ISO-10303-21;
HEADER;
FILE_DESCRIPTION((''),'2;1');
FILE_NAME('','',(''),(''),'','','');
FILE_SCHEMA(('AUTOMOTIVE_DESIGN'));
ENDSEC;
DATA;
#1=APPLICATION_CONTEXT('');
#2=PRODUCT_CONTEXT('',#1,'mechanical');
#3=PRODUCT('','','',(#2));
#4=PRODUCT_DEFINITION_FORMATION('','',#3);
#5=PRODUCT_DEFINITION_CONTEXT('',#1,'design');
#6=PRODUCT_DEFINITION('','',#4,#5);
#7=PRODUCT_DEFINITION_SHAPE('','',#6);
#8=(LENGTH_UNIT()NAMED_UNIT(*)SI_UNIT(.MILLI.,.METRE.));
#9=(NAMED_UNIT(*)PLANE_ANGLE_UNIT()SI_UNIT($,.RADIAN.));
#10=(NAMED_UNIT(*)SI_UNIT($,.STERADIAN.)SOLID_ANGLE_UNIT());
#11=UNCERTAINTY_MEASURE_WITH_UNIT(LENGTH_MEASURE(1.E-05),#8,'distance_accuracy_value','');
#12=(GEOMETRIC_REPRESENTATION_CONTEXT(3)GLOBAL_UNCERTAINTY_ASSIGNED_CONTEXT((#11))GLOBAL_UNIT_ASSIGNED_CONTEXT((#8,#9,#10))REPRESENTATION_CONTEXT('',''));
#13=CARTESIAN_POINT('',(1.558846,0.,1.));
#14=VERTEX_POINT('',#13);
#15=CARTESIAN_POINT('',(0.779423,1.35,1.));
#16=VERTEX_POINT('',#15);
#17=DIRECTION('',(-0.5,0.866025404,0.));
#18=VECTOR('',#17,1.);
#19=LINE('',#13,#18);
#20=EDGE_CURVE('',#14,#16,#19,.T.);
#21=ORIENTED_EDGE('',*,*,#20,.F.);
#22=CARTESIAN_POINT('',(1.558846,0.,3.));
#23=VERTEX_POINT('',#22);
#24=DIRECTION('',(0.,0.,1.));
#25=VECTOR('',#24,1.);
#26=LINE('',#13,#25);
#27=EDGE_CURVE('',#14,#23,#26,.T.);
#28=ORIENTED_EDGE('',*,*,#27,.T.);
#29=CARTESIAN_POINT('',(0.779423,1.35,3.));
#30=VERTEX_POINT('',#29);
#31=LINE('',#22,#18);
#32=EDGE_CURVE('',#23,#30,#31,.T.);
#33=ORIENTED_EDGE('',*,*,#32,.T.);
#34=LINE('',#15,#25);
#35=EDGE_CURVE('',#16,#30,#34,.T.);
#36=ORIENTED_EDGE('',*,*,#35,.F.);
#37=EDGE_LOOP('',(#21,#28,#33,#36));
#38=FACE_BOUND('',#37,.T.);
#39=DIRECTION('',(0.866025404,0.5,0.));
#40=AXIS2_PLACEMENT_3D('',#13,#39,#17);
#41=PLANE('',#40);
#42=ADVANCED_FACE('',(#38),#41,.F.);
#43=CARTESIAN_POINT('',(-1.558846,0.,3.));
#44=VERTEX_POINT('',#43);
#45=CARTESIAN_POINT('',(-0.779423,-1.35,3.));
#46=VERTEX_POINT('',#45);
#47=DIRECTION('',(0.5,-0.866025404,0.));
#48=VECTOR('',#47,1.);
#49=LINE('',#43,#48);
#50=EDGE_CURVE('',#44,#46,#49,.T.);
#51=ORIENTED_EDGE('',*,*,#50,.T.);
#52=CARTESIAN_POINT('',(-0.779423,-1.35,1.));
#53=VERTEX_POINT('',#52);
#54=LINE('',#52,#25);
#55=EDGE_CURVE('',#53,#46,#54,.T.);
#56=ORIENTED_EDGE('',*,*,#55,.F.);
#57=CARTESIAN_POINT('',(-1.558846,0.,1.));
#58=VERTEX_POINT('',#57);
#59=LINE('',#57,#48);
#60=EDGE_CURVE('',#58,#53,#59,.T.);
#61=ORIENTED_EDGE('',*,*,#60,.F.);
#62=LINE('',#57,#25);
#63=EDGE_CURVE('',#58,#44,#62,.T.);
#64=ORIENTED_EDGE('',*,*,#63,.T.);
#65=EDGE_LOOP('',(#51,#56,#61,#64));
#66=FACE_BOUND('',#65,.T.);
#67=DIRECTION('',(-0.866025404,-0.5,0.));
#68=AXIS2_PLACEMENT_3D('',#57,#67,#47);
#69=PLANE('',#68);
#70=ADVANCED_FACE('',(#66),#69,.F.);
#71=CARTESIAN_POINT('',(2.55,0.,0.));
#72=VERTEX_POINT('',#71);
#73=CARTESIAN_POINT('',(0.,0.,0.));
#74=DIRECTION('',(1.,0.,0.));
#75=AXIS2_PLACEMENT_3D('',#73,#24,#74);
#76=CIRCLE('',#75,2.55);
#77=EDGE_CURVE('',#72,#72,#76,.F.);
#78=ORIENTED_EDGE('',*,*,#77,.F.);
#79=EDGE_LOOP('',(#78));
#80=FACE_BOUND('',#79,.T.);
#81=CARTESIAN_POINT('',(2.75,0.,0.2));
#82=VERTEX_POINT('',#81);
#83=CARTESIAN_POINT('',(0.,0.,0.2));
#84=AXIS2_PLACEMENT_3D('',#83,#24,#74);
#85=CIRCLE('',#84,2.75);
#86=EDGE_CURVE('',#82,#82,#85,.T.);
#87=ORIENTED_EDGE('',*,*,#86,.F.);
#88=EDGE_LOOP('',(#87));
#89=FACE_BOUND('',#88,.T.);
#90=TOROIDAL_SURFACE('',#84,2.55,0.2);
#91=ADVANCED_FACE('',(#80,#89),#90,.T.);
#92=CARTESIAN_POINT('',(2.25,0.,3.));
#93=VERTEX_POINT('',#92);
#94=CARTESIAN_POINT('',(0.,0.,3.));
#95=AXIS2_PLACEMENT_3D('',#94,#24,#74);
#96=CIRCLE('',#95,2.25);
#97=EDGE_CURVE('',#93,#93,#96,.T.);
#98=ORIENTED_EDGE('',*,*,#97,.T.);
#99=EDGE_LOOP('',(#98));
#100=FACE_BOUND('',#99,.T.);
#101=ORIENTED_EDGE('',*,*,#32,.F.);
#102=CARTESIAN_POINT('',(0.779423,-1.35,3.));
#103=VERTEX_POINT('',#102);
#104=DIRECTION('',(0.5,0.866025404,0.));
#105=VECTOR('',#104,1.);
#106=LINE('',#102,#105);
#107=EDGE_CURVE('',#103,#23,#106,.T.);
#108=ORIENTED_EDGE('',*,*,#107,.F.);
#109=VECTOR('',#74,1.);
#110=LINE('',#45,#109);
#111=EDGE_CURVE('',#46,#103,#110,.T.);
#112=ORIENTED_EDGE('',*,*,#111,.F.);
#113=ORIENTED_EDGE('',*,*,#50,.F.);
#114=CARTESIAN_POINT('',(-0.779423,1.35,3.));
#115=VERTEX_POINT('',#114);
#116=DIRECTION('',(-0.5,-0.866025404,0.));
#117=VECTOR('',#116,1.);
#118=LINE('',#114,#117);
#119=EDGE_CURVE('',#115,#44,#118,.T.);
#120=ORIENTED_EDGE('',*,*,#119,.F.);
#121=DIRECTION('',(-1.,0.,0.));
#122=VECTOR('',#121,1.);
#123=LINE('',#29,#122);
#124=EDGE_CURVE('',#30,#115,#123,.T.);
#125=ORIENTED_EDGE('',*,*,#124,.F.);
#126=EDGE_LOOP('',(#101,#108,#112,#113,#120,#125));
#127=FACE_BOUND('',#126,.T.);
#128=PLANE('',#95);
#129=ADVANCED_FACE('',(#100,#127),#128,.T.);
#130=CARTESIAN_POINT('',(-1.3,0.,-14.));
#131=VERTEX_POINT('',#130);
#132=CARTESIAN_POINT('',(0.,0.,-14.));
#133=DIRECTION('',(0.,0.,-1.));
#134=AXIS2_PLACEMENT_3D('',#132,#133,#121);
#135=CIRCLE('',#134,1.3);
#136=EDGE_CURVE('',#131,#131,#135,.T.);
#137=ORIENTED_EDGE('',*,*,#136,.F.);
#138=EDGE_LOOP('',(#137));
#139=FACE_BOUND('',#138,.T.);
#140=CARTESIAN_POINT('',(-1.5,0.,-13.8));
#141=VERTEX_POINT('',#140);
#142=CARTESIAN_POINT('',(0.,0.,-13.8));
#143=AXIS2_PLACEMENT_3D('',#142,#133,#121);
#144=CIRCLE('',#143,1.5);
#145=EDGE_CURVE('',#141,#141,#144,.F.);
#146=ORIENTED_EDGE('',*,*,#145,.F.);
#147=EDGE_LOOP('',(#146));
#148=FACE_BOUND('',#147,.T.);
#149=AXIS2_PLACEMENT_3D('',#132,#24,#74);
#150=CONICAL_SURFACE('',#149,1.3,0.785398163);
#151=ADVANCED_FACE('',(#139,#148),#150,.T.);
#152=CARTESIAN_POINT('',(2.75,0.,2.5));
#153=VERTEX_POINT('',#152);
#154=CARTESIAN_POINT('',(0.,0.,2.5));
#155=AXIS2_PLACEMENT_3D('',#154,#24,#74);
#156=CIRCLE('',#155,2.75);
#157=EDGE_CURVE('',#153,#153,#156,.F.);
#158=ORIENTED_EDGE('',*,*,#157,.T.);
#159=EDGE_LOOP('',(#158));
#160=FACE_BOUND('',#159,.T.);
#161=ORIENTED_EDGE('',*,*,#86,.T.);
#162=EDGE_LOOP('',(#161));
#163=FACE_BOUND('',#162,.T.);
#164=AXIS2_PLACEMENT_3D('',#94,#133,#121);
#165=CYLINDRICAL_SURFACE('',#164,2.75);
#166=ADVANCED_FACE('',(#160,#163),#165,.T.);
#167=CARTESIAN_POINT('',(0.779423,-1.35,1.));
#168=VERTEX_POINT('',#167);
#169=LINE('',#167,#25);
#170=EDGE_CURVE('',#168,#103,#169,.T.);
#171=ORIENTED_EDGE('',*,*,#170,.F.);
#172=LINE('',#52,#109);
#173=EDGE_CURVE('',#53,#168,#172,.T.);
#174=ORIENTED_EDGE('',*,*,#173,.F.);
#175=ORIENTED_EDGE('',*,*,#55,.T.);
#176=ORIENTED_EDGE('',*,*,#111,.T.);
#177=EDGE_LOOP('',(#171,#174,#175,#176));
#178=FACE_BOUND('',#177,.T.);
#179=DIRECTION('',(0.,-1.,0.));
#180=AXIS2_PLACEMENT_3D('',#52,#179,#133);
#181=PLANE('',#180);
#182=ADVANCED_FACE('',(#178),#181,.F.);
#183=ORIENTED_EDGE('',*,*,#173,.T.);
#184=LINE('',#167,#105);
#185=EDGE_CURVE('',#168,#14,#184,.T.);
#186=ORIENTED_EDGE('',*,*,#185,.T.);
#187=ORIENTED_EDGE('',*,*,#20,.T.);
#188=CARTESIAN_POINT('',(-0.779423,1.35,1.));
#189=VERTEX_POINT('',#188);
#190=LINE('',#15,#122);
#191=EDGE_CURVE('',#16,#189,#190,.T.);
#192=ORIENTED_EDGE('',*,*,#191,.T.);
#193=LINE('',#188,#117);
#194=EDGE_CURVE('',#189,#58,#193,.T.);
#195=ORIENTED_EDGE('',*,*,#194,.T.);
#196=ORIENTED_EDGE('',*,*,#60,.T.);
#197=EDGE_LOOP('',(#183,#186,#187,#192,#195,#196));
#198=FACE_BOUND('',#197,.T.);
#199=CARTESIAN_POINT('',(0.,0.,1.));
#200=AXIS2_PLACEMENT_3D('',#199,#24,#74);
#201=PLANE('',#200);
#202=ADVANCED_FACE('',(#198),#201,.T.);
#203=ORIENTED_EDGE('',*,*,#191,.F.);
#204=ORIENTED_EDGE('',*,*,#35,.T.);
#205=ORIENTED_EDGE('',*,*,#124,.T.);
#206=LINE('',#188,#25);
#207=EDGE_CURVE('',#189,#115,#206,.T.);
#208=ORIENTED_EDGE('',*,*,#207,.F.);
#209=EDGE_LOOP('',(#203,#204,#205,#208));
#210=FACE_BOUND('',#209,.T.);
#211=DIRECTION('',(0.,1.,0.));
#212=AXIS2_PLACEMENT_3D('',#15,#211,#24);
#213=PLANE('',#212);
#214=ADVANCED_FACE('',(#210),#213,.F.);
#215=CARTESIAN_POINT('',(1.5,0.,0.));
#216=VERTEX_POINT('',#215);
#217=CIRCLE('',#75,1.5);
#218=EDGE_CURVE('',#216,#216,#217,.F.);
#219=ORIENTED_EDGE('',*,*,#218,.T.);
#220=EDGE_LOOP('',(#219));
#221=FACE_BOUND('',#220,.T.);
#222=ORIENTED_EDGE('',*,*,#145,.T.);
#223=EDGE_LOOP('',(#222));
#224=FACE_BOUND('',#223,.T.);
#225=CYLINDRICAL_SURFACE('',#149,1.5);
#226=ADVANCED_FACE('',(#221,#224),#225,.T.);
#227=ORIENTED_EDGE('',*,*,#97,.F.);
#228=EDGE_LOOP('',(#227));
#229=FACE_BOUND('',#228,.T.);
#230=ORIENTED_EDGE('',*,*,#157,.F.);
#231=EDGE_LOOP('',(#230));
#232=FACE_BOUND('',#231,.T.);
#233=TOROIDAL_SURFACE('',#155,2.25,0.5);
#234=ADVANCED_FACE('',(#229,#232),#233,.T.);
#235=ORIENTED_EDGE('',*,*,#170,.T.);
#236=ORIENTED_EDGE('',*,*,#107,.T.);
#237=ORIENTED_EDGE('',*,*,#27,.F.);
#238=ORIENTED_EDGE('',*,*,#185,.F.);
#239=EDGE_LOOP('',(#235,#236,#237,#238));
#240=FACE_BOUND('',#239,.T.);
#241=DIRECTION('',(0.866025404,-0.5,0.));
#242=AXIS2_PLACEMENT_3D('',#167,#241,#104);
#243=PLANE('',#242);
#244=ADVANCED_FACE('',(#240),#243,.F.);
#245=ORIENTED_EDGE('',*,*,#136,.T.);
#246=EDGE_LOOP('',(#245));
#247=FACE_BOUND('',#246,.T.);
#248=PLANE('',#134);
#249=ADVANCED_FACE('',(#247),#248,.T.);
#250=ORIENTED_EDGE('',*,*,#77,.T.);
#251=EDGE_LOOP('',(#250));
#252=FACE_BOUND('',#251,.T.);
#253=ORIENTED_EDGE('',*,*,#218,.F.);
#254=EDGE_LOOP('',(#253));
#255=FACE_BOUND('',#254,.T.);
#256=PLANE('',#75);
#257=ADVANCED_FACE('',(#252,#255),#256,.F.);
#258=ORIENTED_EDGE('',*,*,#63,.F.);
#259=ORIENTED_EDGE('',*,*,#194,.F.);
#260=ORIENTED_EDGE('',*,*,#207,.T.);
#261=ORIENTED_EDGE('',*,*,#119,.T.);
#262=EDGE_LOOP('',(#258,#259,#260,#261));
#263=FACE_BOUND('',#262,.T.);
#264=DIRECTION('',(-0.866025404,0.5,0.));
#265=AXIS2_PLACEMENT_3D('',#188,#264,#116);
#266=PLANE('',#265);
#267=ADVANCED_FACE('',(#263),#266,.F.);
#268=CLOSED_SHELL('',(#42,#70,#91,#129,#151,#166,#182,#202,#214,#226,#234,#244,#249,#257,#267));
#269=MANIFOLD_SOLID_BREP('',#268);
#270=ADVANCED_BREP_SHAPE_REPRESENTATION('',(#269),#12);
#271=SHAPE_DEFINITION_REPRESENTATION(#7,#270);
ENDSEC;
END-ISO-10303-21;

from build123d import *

# Parameters (mm, degrees)
SKETCH_1_R          = 2.75
EXTRUDE_1_DEPTH     = 3
FILLET_1_R          = 0.5
CUT_EXTRUDE_1_DEPTH = 2
SKETCH_3_R          = 1.5
EXTRUDE_2_DEPTH     = 14
CHAMFER_1_SIZE      = 0.2
FILLET_2_R          = 0.2


with BuildPart() as part:
    # 草图1 → 凸台-拉伸1 (new body)
    with BuildSketch(Plane.XY):
        Circle(SKETCH_1_R)
    extrude(amount=EXTRUDE_1_DEPTH)

    # 圆角1
    fillet_1_edges = [part.edges().sort_by_distance(p)[0] for p in [
        (-2.75, 0, 3),
    ]]
    fillet(fillet_1_edges, radius=FILLET_1_R)

    # 草图2 → 切除-拉伸1 (cut)
    with BuildSketch(Plane.XY.offset(3)):
        Polygon((1.558845727, 0), (0.779422863, 1.35), (-0.779422863, 1.35), (-1.558845727, 0), (-0.779422863, -1.35), (0.779422863, -1.35), align=None)
    extrude(amount=-CUT_EXTRUDE_1_DEPTH, mode=Mode.SUBTRACT)

    # 草图3 → 凸台-拉伸2 (add)
    with BuildSketch(Plane(origin=(0, 0, 0), x_dir=(-1, 0, 0), z_dir=(0, 0, -1))):
        Circle(SKETCH_3_R)
    extrude(amount=EXTRUDE_2_DEPTH)

    # 倒角1
    chamfer_1_edges = [part.edges().sort_by_distance(p)[0] for p in [
        (1.5, 0, -14),
    ]]
    chamfer(chamfer_1_edges, length=CHAMFER_1_SIZE)

    # 圆角2
    fillet_2_edges = [part.edges().sort_by_distance(p)[0] for p in [
        (-2.75, 0, 0),
    ]]
    fillet(fillet_2_edges, radius=FILLET_2_R)


solid = part.part
